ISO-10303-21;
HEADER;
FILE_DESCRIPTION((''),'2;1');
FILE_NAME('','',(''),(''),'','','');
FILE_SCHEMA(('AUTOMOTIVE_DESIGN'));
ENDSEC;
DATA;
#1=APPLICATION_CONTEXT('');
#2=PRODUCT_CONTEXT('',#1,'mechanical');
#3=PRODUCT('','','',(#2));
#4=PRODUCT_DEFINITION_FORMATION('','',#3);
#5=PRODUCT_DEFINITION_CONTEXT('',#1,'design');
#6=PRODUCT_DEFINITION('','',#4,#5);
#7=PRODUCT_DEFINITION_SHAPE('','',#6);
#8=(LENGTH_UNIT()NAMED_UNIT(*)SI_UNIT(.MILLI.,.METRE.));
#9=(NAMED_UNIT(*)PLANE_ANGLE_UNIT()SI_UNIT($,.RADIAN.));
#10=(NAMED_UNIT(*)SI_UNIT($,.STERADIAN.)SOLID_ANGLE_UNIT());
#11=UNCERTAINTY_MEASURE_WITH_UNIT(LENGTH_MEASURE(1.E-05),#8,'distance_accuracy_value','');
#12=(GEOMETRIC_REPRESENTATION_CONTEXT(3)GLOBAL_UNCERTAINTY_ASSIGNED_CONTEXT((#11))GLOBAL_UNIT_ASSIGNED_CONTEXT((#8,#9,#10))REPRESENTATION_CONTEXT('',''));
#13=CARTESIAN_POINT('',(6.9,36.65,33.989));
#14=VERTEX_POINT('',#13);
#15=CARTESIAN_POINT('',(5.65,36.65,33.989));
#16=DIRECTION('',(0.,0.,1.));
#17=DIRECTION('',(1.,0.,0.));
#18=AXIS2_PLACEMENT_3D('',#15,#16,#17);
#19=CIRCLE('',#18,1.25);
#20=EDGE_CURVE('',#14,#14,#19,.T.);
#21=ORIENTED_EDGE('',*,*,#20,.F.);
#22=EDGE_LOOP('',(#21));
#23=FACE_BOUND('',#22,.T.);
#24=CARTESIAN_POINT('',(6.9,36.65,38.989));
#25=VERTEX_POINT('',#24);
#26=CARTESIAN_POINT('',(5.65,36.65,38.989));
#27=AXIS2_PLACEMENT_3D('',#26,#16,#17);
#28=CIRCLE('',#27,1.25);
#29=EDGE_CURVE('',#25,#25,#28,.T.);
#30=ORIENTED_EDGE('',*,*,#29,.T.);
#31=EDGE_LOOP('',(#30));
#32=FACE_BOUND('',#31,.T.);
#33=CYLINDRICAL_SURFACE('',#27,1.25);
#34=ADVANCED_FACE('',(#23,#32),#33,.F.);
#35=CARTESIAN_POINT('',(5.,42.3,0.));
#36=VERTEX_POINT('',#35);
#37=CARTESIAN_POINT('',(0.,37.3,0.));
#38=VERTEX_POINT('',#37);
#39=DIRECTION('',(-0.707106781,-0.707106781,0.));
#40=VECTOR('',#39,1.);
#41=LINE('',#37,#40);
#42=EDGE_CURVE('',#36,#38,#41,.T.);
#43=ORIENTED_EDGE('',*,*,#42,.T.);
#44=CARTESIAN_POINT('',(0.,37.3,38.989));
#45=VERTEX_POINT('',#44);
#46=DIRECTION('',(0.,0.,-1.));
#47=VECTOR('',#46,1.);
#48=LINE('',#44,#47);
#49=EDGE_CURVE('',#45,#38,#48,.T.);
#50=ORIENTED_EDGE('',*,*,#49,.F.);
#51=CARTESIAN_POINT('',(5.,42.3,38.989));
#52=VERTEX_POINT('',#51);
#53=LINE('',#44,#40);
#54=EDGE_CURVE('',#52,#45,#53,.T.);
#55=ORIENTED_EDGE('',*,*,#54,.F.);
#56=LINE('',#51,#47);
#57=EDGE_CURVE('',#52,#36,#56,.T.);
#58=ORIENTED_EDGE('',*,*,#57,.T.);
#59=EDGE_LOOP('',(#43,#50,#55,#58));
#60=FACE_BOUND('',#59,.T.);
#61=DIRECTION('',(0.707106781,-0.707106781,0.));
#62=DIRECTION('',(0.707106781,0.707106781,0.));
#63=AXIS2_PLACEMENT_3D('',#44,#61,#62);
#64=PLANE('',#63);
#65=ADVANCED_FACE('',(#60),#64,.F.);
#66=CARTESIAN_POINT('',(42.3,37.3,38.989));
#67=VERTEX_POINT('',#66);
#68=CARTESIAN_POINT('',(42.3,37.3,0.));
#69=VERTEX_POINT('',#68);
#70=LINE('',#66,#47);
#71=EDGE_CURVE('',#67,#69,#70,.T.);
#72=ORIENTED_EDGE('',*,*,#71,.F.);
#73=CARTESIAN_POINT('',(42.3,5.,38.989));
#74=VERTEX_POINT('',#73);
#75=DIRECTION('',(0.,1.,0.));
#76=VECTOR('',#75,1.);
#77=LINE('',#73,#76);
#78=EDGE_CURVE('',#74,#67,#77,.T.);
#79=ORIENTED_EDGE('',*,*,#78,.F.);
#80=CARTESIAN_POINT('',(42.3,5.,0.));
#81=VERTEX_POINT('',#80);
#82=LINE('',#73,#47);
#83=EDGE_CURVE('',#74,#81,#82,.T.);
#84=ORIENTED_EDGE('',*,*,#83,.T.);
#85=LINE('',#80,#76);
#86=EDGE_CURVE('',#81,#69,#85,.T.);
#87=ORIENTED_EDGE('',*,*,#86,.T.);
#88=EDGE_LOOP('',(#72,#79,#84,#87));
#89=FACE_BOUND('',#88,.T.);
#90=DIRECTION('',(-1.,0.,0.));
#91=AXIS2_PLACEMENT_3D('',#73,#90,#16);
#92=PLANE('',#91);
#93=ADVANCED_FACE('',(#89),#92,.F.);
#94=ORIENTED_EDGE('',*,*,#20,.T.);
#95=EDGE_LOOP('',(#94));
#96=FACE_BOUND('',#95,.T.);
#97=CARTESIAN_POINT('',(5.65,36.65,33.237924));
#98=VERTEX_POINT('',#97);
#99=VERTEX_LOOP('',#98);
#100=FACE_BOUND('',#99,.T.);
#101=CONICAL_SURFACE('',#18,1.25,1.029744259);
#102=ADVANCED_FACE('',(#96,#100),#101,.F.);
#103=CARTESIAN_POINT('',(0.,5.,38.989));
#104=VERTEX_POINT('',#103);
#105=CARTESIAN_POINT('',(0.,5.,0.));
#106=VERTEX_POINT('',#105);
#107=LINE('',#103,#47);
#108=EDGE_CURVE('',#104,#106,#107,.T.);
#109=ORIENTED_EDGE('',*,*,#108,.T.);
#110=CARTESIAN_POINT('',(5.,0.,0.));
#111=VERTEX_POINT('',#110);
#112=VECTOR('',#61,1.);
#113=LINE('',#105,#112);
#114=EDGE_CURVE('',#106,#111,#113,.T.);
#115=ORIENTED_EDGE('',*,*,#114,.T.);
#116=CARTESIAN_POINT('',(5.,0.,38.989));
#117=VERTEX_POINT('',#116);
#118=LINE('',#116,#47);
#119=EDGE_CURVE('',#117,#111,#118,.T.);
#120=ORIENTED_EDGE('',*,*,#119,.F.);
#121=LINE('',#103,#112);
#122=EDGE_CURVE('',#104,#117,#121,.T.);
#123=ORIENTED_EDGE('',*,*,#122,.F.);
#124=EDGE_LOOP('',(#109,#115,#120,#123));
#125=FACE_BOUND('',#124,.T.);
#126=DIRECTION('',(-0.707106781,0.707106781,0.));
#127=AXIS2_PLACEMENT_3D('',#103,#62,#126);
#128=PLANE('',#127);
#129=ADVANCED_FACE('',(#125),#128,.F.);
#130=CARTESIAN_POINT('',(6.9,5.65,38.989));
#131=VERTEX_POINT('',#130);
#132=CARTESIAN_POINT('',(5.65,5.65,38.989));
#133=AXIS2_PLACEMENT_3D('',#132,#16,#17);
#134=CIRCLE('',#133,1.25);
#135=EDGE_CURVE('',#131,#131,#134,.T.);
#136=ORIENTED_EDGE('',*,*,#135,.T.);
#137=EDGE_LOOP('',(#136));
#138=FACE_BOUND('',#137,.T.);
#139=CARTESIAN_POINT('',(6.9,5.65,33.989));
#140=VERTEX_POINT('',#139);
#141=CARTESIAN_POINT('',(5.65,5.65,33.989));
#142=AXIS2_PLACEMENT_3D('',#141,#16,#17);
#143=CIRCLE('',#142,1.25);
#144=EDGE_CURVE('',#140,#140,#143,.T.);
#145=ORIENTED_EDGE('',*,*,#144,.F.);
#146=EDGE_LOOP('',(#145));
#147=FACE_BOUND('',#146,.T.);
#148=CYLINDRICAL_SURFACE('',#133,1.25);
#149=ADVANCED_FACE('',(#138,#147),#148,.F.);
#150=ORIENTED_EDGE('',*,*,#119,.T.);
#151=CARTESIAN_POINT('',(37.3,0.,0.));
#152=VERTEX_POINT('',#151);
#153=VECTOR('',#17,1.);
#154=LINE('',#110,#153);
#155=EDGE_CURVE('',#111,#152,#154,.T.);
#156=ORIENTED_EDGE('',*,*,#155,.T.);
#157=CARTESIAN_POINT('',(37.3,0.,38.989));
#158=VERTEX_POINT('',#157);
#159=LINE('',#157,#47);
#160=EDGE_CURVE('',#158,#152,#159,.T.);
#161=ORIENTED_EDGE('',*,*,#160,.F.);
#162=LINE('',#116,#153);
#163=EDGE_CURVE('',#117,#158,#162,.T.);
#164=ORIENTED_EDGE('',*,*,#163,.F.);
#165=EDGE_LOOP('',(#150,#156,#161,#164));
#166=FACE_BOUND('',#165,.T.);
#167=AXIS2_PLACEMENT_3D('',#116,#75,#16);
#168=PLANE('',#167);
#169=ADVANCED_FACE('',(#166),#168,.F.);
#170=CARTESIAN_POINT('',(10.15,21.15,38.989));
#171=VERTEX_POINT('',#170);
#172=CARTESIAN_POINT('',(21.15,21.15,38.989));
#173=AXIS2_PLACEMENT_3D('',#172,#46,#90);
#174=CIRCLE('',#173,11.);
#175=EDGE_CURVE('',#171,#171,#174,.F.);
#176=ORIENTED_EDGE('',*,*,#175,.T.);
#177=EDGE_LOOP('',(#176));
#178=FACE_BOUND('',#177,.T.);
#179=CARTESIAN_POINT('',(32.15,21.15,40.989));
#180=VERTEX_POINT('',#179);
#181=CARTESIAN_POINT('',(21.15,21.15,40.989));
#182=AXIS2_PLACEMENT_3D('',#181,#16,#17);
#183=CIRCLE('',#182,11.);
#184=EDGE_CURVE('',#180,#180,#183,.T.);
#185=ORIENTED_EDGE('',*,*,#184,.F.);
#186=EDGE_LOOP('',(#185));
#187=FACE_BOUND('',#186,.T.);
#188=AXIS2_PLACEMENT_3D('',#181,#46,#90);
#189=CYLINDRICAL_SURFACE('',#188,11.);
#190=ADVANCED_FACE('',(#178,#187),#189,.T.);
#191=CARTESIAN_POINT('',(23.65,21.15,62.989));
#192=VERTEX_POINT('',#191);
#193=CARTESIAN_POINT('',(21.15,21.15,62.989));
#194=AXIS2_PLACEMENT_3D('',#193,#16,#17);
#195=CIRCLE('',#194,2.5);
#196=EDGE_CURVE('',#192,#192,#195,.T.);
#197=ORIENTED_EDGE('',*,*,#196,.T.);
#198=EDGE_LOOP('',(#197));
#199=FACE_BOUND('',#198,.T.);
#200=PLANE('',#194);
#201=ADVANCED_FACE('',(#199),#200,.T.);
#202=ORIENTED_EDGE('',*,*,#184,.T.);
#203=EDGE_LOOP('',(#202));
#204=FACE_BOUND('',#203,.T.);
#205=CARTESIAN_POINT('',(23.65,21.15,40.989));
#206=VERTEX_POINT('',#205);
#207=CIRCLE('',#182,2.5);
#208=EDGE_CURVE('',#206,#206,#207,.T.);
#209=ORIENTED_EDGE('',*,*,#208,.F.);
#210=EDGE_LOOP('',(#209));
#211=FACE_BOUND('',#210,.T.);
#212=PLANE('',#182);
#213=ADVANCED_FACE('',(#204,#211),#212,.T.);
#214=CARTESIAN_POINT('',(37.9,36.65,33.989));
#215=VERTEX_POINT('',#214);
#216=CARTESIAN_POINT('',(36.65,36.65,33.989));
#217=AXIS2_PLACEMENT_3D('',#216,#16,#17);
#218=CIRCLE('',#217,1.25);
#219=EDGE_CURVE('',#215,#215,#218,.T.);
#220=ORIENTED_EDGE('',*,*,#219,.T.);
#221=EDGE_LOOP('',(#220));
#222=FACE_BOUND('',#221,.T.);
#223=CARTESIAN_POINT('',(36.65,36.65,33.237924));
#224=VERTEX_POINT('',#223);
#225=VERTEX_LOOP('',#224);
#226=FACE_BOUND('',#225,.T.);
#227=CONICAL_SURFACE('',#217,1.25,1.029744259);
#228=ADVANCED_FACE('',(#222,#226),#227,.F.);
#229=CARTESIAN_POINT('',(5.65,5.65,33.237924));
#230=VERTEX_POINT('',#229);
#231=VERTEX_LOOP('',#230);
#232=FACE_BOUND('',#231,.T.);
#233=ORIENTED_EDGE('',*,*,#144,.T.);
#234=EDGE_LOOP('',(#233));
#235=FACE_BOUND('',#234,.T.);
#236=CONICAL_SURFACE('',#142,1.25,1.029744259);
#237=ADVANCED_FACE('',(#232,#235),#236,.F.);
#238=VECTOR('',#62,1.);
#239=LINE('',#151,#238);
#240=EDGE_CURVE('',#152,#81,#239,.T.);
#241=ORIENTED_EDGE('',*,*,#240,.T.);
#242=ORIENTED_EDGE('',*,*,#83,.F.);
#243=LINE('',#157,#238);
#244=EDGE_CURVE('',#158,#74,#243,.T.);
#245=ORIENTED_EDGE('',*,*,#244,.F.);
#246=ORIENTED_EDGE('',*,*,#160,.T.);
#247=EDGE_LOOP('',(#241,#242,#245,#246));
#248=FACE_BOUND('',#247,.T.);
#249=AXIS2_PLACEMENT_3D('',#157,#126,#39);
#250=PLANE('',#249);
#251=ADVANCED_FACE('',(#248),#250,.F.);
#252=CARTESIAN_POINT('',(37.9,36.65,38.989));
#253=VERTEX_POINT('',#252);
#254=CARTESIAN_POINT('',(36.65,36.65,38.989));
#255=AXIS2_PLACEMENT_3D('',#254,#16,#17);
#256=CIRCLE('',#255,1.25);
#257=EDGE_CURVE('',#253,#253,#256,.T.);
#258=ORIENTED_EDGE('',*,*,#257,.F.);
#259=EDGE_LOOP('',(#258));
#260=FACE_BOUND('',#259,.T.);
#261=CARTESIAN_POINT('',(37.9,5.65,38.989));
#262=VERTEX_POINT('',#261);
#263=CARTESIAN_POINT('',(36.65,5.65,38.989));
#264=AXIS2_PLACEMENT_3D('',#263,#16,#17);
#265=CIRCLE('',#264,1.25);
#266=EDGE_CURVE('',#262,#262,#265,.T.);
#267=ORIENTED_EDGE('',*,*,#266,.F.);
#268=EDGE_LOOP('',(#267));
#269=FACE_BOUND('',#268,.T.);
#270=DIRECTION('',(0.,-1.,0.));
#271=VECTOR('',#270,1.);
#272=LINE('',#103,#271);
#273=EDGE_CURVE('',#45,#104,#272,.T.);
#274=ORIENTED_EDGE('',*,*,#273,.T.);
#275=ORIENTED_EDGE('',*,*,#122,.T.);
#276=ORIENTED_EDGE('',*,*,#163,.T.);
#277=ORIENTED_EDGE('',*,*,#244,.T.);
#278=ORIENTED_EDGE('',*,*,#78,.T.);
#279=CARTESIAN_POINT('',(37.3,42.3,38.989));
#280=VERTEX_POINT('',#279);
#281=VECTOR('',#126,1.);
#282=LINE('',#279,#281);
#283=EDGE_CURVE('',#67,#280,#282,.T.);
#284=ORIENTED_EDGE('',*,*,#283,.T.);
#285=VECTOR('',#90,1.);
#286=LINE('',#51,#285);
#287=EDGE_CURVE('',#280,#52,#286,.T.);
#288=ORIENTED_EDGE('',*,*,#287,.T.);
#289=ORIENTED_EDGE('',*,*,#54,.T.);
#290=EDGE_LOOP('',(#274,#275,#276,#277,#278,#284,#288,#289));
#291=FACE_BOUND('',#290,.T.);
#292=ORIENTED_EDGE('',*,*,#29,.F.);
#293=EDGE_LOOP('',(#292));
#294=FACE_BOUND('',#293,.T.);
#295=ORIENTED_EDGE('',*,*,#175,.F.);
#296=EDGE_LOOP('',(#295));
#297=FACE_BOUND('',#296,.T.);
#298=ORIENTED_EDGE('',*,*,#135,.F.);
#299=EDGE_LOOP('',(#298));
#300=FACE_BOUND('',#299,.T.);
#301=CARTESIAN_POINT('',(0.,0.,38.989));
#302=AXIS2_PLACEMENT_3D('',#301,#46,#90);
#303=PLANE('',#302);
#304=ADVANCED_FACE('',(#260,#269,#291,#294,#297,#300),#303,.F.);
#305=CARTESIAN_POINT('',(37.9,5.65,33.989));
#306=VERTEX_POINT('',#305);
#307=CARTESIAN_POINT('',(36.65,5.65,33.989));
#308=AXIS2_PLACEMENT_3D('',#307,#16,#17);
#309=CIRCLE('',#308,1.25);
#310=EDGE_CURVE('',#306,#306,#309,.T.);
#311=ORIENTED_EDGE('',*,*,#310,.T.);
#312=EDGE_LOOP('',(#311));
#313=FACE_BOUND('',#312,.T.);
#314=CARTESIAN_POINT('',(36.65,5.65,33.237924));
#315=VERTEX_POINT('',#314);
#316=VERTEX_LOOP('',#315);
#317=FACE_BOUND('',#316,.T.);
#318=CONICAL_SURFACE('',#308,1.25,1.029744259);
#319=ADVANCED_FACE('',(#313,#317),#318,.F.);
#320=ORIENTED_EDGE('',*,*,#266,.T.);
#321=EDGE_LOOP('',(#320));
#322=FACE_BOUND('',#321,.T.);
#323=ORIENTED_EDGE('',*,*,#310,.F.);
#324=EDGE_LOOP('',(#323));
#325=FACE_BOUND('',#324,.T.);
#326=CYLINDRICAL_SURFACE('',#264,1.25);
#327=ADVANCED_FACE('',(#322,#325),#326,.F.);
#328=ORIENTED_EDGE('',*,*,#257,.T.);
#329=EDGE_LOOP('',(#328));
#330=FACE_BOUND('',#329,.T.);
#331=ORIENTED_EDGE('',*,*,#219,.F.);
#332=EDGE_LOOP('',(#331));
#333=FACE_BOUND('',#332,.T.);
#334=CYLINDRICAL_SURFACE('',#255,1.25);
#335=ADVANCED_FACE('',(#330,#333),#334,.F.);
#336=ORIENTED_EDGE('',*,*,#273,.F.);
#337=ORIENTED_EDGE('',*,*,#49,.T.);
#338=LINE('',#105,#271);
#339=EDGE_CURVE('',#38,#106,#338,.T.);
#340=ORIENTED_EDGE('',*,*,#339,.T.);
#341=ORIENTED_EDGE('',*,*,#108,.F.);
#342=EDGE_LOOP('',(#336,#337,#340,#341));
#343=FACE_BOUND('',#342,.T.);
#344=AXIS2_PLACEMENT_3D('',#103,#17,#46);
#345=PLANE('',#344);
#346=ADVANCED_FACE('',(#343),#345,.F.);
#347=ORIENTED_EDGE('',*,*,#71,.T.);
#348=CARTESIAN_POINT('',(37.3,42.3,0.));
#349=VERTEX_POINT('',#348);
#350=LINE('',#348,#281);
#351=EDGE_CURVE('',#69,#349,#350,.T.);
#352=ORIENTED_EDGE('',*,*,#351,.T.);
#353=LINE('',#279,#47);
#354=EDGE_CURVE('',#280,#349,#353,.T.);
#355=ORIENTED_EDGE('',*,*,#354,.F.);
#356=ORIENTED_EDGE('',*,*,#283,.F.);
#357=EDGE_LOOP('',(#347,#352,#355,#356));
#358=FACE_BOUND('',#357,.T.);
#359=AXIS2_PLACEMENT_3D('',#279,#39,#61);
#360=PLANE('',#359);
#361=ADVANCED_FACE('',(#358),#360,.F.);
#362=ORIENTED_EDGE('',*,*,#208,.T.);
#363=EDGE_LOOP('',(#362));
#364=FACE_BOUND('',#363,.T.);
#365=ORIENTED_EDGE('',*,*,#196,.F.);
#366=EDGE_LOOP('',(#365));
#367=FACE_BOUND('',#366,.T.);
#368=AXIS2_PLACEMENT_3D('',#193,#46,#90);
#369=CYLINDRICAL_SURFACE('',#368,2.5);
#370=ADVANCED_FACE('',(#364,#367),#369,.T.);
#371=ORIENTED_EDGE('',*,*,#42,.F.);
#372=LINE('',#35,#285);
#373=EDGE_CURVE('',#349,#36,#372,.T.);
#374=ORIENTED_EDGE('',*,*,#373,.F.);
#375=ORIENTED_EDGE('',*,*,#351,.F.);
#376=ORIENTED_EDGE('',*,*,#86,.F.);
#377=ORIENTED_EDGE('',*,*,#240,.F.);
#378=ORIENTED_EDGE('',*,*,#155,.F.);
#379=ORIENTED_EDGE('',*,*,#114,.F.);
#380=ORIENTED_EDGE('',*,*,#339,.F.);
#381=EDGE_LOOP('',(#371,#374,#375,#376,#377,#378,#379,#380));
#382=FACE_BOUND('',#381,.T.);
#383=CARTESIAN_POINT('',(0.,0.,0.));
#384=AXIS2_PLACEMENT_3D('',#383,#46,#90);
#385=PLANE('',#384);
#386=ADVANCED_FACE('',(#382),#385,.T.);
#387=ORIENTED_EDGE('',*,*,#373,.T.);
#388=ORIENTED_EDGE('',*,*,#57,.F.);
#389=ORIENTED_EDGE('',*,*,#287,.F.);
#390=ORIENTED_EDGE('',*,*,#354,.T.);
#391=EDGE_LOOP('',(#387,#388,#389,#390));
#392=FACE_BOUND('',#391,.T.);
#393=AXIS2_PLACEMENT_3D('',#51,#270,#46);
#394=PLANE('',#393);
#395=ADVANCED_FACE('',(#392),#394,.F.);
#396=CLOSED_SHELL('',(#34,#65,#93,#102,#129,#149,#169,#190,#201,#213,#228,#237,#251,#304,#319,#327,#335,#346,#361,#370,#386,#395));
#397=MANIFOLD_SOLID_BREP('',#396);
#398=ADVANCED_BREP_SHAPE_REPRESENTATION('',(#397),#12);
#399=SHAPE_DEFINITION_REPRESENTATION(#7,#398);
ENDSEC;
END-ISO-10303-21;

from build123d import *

# Parameters (mm, degrees)
BOSS_EXTRUDE1_DEPTH       = 38.989
M3X0_5_TAPPED_HOLE1_D     = 2.5
M3X0_5_TAPPED_HOLE1_DEPTH = 5
M3X0_5_TAPPED_HOLE1_TIP   = 0.751075774
SKETCH4_R                 = 11
BOSS_EXTRUDE2_DEPTH       = 2
SKETCH5_R                 = 2.5
BOSS_EXTRUDE3_DEPTH       = 22


with BuildPart() as part:
    # Sketch1 → Boss-Extrude1 (new body)
    with BuildSketch(Plane.XY):
        Polygon((0, 37.3), (5, 42.3), (37.3, 42.3), (42.3, 37.3), (42.3, 5), (37.3, 0), (5, 0), (0, 5), align=None)
    extrude(amount=BOSS_EXTRUDE1_DEPTH)

    # M3x0.5 Tapped Hole1
    with Locations(Plane.XY.offset(38.989)):
        with Locations((5.65, 36.65), (36.65, 36.65), (36.65, 5.65), (5.65, 5.65)):
            Hole(M3X0_5_TAPPED_HOLE1_D / 2, depth=M3X0_5_TAPPED_HOLE1_DEPTH)
            with Locations((0, 0, -(M3X0_5_TAPPED_HOLE1_DEPTH + M3X0_5_TAPPED_HOLE1_TIP / 2))):  # 118° drill point
                Cone(0, M3X0_5_TAPPED_HOLE1_D / 2, M3X0_5_TAPPED_HOLE1_TIP, mode=Mode.SUBTRACT)

    # Sketch4 → Boss-Extrude2 (add)
    with BuildSketch(Plane.XY.offset(38.989)):
        with Locations(Location((21.15, 21.15, 0), (0, 0, 180))):
            Circle(SKETCH4_R)
    extrude(amount=BOSS_EXTRUDE2_DEPTH)

    # Sketch5 → Boss-Extrude3 (add)
    with BuildSketch(Plane.XY.offset(40.989)):
        with Locations((21.15, 21.15)):
            Circle(SKETCH5_R)
    extrude(amount=BOSS_EXTRUDE3_DEPTH)


solid = part.part
